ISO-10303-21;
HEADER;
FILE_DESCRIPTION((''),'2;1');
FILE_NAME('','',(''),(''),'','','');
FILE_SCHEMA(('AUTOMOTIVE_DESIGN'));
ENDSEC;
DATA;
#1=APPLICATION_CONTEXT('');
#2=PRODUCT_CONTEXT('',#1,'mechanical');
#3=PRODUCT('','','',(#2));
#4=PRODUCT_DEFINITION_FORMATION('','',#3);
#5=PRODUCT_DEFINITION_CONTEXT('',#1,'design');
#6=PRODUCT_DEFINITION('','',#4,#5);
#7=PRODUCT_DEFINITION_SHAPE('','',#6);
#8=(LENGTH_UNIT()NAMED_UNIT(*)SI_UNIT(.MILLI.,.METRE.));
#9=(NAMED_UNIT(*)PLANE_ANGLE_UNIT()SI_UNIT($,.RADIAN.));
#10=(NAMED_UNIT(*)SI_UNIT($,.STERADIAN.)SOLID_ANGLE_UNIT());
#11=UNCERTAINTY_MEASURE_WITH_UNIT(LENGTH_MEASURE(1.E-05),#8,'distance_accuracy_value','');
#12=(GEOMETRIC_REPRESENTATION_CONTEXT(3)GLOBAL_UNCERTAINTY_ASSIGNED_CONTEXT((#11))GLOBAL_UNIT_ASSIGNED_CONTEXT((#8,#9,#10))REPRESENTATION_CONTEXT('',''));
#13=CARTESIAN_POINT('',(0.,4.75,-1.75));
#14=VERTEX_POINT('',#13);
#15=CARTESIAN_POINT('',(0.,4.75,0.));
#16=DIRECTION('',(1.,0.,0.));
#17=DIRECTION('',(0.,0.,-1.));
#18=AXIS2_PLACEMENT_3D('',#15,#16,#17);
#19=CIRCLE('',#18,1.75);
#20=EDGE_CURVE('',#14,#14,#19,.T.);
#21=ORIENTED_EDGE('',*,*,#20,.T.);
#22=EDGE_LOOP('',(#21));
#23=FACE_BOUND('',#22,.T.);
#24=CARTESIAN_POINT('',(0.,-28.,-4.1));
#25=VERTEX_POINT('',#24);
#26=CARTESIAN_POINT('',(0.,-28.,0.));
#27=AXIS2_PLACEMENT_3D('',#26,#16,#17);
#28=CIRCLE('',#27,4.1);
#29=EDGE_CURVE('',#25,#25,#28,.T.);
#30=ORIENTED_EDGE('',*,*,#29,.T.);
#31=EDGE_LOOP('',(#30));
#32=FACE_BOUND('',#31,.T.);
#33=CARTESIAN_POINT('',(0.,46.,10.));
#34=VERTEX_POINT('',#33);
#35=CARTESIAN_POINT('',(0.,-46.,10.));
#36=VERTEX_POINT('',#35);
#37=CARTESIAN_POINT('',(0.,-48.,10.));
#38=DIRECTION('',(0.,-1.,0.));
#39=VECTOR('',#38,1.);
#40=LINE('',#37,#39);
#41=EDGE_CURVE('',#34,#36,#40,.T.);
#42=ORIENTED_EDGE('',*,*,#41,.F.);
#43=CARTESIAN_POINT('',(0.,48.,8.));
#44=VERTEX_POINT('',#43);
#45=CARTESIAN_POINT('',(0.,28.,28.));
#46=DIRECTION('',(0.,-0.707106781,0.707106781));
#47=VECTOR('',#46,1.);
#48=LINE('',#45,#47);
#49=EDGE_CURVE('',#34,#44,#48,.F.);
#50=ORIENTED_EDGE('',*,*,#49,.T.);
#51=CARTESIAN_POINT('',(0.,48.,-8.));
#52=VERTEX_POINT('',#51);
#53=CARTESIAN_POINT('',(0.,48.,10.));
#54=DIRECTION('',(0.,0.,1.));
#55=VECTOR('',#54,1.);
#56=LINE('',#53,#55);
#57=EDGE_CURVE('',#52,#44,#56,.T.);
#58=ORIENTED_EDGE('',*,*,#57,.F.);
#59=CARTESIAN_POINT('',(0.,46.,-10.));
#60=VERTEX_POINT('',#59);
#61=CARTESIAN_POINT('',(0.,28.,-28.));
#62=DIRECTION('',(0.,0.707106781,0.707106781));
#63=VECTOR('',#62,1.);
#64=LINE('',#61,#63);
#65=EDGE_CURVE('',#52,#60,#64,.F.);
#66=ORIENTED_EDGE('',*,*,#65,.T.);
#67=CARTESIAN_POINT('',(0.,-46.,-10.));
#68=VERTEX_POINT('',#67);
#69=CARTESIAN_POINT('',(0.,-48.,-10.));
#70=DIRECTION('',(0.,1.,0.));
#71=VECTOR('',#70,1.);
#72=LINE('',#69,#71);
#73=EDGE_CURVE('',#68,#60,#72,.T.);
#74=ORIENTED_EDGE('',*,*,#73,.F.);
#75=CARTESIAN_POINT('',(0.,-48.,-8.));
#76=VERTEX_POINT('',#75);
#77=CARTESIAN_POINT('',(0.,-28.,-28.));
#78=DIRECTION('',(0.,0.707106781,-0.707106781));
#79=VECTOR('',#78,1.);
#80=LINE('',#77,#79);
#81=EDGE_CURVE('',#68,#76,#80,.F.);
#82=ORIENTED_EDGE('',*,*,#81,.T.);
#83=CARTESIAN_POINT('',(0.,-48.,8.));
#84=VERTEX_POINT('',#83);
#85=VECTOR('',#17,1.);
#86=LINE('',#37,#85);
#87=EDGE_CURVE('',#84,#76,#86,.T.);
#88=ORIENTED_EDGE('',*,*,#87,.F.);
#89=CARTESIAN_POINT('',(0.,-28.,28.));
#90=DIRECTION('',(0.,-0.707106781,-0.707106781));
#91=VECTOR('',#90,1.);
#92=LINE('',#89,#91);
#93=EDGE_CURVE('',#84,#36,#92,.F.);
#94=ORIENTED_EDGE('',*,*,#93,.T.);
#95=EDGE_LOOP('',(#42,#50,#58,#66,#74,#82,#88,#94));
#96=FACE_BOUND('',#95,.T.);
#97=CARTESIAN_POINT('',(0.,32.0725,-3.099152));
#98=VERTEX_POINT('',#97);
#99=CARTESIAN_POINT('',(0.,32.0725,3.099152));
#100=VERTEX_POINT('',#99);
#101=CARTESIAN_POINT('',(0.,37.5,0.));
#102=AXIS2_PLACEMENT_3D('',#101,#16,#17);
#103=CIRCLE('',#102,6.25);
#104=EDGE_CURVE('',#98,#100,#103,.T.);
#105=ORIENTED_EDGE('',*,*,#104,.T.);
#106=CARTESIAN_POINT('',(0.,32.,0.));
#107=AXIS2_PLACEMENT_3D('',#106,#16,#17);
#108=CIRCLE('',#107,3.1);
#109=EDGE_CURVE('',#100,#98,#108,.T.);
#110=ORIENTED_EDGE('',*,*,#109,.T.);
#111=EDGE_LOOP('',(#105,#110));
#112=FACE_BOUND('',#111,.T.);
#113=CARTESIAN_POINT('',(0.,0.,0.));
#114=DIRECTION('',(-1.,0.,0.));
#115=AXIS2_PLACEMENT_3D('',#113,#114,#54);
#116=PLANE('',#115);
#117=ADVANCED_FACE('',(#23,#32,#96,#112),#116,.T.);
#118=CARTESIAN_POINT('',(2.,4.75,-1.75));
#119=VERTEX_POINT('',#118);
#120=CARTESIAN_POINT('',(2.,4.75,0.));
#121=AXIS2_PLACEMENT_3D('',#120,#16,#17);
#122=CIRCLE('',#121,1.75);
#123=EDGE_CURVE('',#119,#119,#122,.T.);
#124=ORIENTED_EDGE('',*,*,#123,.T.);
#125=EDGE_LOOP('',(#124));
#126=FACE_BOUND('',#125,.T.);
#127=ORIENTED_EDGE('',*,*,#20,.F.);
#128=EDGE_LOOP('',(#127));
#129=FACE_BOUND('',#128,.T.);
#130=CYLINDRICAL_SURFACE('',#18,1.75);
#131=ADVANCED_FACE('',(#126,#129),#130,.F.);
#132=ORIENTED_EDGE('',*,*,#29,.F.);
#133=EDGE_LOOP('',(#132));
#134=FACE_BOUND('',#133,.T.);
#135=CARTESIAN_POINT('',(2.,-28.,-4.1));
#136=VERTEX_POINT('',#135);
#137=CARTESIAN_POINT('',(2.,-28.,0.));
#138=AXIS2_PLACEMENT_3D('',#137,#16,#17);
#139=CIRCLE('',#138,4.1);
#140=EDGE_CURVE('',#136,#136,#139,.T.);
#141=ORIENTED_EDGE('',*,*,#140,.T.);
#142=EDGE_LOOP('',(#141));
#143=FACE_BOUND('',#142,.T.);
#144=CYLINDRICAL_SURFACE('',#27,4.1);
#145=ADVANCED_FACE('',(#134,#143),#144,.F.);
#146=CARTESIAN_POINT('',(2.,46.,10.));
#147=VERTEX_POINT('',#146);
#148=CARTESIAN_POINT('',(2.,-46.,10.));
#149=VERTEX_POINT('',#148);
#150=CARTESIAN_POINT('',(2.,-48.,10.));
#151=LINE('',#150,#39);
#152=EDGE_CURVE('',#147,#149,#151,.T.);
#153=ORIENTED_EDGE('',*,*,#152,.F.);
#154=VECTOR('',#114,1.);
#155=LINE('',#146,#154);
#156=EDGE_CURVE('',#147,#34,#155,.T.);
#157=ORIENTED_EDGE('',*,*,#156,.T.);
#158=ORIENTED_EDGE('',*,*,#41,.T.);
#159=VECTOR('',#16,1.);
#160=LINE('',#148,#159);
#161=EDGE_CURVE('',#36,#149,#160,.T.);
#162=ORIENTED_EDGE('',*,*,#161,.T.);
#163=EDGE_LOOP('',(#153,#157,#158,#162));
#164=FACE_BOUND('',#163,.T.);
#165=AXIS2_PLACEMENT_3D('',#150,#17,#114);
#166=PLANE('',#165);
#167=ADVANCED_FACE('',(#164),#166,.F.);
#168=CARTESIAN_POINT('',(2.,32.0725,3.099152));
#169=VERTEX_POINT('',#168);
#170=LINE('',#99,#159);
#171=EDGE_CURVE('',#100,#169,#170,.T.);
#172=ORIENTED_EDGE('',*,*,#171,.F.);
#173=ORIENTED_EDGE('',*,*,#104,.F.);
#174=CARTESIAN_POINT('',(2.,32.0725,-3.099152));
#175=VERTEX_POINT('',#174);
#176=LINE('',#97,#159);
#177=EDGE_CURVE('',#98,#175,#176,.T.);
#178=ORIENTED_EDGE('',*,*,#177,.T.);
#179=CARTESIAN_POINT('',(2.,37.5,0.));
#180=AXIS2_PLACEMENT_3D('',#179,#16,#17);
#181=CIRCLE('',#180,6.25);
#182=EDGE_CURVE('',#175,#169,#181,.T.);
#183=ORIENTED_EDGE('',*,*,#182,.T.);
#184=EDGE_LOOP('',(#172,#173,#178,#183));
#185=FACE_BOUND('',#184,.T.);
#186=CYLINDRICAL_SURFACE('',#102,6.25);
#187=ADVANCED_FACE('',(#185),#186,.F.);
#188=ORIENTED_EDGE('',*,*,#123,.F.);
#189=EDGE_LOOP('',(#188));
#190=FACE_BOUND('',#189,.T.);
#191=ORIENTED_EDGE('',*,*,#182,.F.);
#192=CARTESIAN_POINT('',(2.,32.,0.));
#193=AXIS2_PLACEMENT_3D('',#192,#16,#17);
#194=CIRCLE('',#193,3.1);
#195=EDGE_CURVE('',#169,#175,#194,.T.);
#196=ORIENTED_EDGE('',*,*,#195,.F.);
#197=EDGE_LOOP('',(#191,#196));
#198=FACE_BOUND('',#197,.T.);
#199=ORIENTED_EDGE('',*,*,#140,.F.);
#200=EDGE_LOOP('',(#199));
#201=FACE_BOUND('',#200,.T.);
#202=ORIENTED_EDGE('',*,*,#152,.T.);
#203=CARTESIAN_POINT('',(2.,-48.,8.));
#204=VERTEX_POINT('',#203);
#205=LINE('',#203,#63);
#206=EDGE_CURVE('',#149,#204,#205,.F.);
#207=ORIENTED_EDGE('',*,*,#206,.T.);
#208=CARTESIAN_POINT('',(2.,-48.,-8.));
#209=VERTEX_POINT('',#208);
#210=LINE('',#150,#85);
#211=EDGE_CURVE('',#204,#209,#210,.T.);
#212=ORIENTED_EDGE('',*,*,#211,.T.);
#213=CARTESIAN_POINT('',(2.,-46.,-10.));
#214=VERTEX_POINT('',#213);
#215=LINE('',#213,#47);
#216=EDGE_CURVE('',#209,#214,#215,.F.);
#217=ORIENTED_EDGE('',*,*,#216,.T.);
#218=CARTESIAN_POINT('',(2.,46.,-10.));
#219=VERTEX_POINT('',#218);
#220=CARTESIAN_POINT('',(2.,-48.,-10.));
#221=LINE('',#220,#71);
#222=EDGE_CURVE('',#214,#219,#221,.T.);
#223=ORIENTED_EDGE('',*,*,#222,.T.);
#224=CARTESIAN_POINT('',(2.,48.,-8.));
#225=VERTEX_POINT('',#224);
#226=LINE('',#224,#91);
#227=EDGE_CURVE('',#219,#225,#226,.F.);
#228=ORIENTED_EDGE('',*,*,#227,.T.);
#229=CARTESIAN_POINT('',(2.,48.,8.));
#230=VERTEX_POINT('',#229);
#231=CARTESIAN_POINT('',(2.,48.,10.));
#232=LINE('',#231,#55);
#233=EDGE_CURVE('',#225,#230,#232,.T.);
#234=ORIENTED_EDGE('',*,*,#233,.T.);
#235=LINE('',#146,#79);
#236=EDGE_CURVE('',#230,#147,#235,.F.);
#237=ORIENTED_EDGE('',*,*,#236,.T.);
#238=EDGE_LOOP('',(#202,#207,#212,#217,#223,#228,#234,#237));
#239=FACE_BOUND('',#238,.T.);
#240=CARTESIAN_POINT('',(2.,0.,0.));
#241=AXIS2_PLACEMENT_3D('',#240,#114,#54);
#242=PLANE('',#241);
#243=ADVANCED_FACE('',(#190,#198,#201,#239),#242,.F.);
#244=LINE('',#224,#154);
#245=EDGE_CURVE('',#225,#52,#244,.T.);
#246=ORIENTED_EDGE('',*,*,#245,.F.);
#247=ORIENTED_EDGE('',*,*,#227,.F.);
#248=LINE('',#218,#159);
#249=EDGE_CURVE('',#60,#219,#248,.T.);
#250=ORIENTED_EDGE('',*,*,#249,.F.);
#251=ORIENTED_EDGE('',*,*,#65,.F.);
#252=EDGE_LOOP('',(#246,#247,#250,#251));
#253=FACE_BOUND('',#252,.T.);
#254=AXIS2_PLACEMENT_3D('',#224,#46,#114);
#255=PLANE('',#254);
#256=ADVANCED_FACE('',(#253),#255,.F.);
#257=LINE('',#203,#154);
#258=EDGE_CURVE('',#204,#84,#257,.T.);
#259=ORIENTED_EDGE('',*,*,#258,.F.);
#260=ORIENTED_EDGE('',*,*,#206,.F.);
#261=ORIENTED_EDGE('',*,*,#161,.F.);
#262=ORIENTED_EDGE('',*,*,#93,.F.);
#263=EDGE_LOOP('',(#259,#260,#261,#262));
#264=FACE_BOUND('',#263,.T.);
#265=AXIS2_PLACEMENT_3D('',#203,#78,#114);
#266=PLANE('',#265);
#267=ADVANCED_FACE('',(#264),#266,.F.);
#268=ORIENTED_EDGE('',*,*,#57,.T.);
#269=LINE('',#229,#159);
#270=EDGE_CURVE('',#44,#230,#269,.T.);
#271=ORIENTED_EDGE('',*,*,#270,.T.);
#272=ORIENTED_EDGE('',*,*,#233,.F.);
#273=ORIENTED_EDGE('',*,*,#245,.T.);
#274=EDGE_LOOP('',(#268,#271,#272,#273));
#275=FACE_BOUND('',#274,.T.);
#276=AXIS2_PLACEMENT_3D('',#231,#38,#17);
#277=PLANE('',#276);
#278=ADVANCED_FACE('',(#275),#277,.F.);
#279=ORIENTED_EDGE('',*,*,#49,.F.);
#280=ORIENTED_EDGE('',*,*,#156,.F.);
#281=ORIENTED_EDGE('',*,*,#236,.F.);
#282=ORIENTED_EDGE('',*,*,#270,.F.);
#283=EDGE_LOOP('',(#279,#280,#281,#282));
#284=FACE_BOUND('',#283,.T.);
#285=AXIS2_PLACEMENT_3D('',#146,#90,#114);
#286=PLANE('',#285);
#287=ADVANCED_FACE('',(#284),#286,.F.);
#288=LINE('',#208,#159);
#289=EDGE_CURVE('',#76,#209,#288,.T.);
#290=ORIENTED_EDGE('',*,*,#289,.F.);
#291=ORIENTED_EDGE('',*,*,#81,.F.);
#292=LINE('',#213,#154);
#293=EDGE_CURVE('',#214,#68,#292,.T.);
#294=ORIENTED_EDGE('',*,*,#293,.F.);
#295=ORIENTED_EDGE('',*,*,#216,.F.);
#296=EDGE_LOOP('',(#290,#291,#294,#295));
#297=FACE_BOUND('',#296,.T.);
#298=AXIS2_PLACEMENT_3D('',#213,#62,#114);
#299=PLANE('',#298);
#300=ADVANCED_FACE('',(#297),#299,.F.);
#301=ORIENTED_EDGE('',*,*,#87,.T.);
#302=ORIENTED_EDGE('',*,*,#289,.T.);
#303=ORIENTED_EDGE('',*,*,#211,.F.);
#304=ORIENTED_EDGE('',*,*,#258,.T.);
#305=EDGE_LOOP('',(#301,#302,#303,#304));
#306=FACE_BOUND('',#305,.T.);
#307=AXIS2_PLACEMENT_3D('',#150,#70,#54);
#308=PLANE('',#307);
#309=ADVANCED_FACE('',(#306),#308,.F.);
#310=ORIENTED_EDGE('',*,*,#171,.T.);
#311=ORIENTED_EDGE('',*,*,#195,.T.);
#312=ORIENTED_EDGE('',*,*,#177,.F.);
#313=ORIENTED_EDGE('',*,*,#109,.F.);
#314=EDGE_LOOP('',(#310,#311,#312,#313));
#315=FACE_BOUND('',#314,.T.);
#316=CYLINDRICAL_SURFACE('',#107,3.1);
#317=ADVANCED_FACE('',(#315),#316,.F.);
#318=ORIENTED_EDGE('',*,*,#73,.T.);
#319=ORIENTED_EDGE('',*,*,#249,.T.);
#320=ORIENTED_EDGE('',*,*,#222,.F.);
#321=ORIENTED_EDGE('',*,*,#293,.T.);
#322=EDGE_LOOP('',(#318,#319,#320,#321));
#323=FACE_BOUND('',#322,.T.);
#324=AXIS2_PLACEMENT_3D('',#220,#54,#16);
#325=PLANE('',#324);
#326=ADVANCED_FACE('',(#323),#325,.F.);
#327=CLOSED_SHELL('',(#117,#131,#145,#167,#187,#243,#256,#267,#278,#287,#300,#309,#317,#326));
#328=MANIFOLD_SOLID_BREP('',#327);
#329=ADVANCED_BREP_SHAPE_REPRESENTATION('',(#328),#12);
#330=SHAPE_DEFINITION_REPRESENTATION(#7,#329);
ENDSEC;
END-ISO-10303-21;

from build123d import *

# Parameters (mm, degrees)
SKETCH1_W           = 20
SKETCH1_H           = 96
BOSS_EXTRUDE2_DEPTH = 2
SKETCH3_R           = 1.75
SKETCH3_R_2         = 4.1
CUT_EXTRUDE1_DEPTH  = 50.071376586
CHAMFER1_SIZE       = 2


with BuildPart() as part:
    # Sketch1 → Boss-Extrude2 (new body)
    with BuildSketch(Plane(origin=(0, 0, 0), x_dir=(0, 0, -1), z_dir=(1, 0, 0))):
        Rectangle(SKETCH1_W, SKETCH1_H)
    extrude(amount=BOSS_EXTRUDE2_DEPTH)

    # Sketch3 → Cut-Extrude1 (cut, through all)
    with BuildSketch(Plane(origin=(2, 0, 0), x_dir=(0, 0, -1), z_dir=(1, 0, 0))):
        with Locations((0, 4.75)):
            Circle(SKETCH3_R)
        with Locations((0, -28)):
            Circle(SKETCH3_R_2)
        with BuildLine():
            ThreePointArc((3.099152102, 32.0725), (0, 43.75), (-3.099152102, 32.0725))
            ThreePointArc((-3.099152102, 32.0725), (0, 28.9), (3.099152102, 32.0725))
        make_face()
    extrude(amount=-CUT_EXTRUDE1_DEPTH, mode=Mode.SUBTRACT)

    # Chamfer1
    chamfer1_edges = [part.edges().sort_by_distance(p)[0] for p in [
        (1, -48, -10),
        (1, -48, 10),
        (1, 48, 10),
        (1, 48, -10),
    ]]
    chamfer(chamfer1_edges, length=CHAMFER1_SIZE)


solid = part.part
